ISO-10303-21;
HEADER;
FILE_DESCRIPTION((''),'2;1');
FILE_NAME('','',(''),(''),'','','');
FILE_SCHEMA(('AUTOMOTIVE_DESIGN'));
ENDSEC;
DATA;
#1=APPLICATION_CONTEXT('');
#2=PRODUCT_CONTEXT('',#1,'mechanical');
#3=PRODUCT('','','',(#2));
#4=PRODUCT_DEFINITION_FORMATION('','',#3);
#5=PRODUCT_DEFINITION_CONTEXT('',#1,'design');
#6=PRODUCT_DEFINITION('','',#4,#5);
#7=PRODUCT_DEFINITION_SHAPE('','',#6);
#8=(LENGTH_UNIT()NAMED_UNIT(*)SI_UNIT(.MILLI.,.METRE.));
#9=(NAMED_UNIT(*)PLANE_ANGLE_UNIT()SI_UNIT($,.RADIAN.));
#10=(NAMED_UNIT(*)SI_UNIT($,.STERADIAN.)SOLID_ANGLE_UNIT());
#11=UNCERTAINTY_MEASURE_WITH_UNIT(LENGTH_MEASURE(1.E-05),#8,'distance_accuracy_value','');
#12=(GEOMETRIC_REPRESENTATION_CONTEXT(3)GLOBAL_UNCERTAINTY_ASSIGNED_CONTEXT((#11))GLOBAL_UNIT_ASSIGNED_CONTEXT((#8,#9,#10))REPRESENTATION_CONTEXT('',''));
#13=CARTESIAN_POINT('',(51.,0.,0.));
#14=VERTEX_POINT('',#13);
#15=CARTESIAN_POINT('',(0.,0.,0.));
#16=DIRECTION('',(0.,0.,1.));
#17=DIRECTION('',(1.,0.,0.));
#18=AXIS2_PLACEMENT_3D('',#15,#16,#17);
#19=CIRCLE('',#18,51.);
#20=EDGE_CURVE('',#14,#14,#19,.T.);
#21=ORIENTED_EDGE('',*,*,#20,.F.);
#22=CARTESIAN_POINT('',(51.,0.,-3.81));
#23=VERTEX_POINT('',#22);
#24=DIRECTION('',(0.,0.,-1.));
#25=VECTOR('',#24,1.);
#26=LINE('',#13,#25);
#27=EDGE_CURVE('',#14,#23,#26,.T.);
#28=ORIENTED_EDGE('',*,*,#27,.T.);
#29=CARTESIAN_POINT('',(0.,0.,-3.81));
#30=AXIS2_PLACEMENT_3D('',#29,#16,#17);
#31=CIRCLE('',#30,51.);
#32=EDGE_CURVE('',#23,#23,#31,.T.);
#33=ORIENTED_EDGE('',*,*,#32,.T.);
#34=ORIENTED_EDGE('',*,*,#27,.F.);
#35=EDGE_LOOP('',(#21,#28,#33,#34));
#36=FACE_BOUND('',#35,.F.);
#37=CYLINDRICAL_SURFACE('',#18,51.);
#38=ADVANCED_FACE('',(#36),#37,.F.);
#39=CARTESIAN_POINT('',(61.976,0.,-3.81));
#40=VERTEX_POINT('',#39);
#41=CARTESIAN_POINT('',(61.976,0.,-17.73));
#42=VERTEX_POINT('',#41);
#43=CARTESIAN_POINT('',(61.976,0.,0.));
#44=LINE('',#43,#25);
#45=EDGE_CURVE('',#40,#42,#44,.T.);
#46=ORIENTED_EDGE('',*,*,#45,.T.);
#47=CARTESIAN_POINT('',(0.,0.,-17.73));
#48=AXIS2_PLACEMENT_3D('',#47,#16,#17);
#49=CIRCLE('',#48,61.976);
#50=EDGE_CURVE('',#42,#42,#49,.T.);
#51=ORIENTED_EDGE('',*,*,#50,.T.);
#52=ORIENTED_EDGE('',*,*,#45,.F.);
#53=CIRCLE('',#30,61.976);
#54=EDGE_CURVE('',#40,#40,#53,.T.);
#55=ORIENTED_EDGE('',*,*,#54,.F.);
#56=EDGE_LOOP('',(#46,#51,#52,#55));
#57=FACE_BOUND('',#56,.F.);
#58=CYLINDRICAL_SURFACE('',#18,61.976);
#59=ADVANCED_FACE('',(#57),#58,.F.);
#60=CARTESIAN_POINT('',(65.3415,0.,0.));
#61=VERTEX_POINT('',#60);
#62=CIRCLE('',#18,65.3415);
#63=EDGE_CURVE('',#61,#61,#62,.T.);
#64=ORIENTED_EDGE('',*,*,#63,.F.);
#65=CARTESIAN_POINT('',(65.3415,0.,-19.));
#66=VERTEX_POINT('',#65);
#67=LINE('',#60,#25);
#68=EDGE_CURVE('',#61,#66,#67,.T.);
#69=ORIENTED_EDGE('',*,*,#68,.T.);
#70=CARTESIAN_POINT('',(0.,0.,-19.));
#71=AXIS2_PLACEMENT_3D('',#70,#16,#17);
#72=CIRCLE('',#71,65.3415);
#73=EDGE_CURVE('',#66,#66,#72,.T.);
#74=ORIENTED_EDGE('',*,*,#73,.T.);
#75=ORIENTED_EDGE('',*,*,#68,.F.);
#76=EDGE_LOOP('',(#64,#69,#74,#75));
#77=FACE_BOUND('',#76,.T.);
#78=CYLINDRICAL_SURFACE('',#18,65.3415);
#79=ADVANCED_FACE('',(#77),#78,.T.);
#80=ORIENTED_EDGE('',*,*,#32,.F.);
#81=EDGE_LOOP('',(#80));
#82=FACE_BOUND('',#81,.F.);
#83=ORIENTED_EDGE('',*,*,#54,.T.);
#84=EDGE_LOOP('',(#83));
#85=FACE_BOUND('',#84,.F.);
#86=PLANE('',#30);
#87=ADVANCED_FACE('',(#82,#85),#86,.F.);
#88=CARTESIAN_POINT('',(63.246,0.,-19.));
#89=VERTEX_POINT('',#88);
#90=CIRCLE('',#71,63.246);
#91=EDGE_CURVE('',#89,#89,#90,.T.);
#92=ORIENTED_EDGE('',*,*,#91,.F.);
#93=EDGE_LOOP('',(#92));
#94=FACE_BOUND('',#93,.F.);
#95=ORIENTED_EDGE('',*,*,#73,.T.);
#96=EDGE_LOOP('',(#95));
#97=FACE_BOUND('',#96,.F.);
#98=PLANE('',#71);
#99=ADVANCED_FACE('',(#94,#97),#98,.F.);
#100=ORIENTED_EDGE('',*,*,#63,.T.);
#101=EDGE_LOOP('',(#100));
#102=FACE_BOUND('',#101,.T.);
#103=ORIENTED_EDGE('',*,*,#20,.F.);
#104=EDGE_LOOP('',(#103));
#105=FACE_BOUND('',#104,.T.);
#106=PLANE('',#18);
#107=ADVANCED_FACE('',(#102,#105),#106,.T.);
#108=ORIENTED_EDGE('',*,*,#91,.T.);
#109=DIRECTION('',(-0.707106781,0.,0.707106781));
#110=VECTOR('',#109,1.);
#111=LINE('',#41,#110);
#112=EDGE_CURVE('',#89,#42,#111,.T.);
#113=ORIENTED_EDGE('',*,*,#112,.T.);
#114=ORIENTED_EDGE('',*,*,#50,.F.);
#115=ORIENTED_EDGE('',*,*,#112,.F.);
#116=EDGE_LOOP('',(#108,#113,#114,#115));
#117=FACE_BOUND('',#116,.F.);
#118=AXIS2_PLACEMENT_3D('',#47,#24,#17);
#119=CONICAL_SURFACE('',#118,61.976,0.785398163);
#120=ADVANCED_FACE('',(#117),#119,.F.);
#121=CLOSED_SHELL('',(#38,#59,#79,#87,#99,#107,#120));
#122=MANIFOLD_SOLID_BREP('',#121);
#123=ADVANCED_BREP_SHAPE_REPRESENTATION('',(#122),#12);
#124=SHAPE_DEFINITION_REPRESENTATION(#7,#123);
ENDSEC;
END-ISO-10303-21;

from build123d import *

# Parameters (mm, degrees)
F0_R     = 64.77
F0_R_2   = 51
F1_DEPTH = 3.81
F2_R     = 65.3415
F2_R_2   = 61.976
F3_DEPTH = 19
F4_SIZE  = 1.27


with BuildPart() as f1:
    # F0 (on Top) → F1 (new body)
    with BuildSketch(Plane.XY):
        Circle(F0_R)
        Circle(F0_R_2, mode=Mode.SUBTRACT)
    extrude(amount=-F1_DEPTH)

    # F2 (on face) → F3 (join)
    with BuildSketch(Plane.XY):
        Circle(F2_R)
        Circle(F2_R_2, mode=Mode.SUBTRACT)
    extrude(amount=-F3_DEPTH)

    # F4
    f4_edges = [f1.edges().sort_by_distance(p)[0] for p in [
        (-61.976, 0, -19),
    ]]
    chamfer(f4_edges, length=F4_SIZE)


solid = f1.part
